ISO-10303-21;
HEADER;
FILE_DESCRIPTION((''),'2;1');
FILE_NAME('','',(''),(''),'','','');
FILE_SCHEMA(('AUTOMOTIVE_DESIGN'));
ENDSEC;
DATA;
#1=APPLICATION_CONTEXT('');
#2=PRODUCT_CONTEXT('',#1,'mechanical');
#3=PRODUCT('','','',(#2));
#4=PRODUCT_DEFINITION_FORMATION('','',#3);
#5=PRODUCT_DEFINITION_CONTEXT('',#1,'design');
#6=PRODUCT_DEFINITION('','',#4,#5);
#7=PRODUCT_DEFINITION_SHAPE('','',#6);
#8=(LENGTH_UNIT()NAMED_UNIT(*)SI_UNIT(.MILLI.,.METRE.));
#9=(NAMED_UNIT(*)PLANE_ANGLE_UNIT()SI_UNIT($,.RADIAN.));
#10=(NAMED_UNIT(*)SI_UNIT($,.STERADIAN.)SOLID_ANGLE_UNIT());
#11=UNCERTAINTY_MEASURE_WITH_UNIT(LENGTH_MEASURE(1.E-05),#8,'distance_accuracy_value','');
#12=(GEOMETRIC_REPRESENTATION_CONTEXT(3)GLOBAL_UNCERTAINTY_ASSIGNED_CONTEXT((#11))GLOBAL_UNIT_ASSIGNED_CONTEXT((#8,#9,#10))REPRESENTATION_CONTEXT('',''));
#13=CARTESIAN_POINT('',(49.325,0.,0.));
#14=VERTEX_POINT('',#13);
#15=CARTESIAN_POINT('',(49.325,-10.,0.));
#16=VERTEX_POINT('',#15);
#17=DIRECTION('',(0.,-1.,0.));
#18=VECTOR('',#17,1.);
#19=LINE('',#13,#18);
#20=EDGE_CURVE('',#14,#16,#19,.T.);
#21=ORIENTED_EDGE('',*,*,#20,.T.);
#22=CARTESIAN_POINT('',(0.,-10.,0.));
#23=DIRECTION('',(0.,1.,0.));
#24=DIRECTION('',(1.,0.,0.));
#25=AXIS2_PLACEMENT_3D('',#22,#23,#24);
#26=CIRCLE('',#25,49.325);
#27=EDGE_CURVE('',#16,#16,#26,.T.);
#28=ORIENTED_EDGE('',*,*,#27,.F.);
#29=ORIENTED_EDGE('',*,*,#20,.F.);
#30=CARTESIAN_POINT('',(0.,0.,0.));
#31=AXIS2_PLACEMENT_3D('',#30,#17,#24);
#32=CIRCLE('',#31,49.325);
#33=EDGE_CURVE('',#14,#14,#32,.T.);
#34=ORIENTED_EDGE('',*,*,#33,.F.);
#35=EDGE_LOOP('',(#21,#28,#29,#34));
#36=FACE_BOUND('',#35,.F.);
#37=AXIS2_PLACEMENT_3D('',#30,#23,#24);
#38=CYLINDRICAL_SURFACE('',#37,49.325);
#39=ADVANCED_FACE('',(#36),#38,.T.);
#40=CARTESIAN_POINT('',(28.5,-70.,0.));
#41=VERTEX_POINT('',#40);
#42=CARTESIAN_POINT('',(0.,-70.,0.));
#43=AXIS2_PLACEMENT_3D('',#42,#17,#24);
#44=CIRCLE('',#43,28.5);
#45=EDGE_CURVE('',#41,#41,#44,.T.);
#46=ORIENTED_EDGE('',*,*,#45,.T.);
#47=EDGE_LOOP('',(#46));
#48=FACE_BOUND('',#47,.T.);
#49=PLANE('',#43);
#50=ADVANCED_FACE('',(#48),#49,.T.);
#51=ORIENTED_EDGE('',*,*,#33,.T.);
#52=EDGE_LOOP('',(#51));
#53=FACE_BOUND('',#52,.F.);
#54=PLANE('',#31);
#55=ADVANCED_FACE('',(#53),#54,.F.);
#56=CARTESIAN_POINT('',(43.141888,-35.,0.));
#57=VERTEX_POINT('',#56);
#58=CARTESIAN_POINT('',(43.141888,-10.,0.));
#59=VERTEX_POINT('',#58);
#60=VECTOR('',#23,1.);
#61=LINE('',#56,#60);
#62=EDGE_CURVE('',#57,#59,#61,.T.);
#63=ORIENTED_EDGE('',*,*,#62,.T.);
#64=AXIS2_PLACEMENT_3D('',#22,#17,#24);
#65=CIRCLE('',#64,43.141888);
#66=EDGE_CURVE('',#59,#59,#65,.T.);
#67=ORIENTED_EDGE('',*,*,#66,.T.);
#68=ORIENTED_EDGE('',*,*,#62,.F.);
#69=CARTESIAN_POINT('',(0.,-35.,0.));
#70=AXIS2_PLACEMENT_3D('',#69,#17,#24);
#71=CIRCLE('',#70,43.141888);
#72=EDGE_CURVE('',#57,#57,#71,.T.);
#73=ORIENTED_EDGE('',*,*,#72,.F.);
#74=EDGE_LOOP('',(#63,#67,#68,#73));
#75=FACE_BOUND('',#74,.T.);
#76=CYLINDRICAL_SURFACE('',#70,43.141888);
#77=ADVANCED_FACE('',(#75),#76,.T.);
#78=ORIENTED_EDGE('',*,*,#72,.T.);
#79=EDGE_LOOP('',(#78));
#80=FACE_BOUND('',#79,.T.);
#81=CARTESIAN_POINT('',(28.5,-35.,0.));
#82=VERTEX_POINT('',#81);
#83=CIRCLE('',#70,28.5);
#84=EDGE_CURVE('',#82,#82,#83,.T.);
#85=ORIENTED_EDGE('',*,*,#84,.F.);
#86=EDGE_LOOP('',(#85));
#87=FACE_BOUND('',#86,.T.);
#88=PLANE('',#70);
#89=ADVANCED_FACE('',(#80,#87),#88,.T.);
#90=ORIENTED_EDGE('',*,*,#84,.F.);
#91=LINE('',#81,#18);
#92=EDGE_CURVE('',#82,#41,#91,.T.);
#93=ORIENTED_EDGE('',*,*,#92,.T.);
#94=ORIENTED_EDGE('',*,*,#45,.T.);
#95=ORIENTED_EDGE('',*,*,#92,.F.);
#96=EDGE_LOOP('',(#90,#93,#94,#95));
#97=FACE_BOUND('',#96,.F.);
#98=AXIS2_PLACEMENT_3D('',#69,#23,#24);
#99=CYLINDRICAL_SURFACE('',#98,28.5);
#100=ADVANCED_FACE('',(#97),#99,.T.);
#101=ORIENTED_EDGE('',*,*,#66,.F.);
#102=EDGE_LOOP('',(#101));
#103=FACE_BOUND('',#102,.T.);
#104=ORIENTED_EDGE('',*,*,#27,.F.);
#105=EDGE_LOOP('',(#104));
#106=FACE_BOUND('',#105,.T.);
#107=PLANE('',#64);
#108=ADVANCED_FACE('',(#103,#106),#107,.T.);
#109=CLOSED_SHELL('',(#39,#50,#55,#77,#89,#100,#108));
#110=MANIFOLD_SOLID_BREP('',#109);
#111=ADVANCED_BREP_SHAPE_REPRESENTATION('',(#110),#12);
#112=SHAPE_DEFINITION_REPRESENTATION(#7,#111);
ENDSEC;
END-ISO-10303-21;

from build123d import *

# Parameters (mm, degrees)
F0_R     = 49.325
F1_DEPTH = 35
F2_R     = 50.949496
F2_R_2   = 43.141888
F3_DEPTH = 25
F4_R     = 28.5
F5_DEPTH = 35


with BuildPart() as f1:
    # F0 (on Front) → F1 (new body)
    with BuildSketch(Plane.XZ):
        Circle(F0_R)
    extrude(amount=F1_DEPTH)

    # F2 (on face) → F3 (cut)
    with BuildSketch(Plane.XZ.offset(35)):
        Circle(F2_R)
        Circle(F2_R_2, mode=Mode.SUBTRACT)
    extrude(amount=-F3_DEPTH, mode=Mode.SUBTRACT)

    # F4 (on face) → F5 (join)
    with BuildSketch(Plane.XZ.offset(35)):
        Circle(F4_R)
    extrude(amount=F5_DEPTH)


solid = f1.part
